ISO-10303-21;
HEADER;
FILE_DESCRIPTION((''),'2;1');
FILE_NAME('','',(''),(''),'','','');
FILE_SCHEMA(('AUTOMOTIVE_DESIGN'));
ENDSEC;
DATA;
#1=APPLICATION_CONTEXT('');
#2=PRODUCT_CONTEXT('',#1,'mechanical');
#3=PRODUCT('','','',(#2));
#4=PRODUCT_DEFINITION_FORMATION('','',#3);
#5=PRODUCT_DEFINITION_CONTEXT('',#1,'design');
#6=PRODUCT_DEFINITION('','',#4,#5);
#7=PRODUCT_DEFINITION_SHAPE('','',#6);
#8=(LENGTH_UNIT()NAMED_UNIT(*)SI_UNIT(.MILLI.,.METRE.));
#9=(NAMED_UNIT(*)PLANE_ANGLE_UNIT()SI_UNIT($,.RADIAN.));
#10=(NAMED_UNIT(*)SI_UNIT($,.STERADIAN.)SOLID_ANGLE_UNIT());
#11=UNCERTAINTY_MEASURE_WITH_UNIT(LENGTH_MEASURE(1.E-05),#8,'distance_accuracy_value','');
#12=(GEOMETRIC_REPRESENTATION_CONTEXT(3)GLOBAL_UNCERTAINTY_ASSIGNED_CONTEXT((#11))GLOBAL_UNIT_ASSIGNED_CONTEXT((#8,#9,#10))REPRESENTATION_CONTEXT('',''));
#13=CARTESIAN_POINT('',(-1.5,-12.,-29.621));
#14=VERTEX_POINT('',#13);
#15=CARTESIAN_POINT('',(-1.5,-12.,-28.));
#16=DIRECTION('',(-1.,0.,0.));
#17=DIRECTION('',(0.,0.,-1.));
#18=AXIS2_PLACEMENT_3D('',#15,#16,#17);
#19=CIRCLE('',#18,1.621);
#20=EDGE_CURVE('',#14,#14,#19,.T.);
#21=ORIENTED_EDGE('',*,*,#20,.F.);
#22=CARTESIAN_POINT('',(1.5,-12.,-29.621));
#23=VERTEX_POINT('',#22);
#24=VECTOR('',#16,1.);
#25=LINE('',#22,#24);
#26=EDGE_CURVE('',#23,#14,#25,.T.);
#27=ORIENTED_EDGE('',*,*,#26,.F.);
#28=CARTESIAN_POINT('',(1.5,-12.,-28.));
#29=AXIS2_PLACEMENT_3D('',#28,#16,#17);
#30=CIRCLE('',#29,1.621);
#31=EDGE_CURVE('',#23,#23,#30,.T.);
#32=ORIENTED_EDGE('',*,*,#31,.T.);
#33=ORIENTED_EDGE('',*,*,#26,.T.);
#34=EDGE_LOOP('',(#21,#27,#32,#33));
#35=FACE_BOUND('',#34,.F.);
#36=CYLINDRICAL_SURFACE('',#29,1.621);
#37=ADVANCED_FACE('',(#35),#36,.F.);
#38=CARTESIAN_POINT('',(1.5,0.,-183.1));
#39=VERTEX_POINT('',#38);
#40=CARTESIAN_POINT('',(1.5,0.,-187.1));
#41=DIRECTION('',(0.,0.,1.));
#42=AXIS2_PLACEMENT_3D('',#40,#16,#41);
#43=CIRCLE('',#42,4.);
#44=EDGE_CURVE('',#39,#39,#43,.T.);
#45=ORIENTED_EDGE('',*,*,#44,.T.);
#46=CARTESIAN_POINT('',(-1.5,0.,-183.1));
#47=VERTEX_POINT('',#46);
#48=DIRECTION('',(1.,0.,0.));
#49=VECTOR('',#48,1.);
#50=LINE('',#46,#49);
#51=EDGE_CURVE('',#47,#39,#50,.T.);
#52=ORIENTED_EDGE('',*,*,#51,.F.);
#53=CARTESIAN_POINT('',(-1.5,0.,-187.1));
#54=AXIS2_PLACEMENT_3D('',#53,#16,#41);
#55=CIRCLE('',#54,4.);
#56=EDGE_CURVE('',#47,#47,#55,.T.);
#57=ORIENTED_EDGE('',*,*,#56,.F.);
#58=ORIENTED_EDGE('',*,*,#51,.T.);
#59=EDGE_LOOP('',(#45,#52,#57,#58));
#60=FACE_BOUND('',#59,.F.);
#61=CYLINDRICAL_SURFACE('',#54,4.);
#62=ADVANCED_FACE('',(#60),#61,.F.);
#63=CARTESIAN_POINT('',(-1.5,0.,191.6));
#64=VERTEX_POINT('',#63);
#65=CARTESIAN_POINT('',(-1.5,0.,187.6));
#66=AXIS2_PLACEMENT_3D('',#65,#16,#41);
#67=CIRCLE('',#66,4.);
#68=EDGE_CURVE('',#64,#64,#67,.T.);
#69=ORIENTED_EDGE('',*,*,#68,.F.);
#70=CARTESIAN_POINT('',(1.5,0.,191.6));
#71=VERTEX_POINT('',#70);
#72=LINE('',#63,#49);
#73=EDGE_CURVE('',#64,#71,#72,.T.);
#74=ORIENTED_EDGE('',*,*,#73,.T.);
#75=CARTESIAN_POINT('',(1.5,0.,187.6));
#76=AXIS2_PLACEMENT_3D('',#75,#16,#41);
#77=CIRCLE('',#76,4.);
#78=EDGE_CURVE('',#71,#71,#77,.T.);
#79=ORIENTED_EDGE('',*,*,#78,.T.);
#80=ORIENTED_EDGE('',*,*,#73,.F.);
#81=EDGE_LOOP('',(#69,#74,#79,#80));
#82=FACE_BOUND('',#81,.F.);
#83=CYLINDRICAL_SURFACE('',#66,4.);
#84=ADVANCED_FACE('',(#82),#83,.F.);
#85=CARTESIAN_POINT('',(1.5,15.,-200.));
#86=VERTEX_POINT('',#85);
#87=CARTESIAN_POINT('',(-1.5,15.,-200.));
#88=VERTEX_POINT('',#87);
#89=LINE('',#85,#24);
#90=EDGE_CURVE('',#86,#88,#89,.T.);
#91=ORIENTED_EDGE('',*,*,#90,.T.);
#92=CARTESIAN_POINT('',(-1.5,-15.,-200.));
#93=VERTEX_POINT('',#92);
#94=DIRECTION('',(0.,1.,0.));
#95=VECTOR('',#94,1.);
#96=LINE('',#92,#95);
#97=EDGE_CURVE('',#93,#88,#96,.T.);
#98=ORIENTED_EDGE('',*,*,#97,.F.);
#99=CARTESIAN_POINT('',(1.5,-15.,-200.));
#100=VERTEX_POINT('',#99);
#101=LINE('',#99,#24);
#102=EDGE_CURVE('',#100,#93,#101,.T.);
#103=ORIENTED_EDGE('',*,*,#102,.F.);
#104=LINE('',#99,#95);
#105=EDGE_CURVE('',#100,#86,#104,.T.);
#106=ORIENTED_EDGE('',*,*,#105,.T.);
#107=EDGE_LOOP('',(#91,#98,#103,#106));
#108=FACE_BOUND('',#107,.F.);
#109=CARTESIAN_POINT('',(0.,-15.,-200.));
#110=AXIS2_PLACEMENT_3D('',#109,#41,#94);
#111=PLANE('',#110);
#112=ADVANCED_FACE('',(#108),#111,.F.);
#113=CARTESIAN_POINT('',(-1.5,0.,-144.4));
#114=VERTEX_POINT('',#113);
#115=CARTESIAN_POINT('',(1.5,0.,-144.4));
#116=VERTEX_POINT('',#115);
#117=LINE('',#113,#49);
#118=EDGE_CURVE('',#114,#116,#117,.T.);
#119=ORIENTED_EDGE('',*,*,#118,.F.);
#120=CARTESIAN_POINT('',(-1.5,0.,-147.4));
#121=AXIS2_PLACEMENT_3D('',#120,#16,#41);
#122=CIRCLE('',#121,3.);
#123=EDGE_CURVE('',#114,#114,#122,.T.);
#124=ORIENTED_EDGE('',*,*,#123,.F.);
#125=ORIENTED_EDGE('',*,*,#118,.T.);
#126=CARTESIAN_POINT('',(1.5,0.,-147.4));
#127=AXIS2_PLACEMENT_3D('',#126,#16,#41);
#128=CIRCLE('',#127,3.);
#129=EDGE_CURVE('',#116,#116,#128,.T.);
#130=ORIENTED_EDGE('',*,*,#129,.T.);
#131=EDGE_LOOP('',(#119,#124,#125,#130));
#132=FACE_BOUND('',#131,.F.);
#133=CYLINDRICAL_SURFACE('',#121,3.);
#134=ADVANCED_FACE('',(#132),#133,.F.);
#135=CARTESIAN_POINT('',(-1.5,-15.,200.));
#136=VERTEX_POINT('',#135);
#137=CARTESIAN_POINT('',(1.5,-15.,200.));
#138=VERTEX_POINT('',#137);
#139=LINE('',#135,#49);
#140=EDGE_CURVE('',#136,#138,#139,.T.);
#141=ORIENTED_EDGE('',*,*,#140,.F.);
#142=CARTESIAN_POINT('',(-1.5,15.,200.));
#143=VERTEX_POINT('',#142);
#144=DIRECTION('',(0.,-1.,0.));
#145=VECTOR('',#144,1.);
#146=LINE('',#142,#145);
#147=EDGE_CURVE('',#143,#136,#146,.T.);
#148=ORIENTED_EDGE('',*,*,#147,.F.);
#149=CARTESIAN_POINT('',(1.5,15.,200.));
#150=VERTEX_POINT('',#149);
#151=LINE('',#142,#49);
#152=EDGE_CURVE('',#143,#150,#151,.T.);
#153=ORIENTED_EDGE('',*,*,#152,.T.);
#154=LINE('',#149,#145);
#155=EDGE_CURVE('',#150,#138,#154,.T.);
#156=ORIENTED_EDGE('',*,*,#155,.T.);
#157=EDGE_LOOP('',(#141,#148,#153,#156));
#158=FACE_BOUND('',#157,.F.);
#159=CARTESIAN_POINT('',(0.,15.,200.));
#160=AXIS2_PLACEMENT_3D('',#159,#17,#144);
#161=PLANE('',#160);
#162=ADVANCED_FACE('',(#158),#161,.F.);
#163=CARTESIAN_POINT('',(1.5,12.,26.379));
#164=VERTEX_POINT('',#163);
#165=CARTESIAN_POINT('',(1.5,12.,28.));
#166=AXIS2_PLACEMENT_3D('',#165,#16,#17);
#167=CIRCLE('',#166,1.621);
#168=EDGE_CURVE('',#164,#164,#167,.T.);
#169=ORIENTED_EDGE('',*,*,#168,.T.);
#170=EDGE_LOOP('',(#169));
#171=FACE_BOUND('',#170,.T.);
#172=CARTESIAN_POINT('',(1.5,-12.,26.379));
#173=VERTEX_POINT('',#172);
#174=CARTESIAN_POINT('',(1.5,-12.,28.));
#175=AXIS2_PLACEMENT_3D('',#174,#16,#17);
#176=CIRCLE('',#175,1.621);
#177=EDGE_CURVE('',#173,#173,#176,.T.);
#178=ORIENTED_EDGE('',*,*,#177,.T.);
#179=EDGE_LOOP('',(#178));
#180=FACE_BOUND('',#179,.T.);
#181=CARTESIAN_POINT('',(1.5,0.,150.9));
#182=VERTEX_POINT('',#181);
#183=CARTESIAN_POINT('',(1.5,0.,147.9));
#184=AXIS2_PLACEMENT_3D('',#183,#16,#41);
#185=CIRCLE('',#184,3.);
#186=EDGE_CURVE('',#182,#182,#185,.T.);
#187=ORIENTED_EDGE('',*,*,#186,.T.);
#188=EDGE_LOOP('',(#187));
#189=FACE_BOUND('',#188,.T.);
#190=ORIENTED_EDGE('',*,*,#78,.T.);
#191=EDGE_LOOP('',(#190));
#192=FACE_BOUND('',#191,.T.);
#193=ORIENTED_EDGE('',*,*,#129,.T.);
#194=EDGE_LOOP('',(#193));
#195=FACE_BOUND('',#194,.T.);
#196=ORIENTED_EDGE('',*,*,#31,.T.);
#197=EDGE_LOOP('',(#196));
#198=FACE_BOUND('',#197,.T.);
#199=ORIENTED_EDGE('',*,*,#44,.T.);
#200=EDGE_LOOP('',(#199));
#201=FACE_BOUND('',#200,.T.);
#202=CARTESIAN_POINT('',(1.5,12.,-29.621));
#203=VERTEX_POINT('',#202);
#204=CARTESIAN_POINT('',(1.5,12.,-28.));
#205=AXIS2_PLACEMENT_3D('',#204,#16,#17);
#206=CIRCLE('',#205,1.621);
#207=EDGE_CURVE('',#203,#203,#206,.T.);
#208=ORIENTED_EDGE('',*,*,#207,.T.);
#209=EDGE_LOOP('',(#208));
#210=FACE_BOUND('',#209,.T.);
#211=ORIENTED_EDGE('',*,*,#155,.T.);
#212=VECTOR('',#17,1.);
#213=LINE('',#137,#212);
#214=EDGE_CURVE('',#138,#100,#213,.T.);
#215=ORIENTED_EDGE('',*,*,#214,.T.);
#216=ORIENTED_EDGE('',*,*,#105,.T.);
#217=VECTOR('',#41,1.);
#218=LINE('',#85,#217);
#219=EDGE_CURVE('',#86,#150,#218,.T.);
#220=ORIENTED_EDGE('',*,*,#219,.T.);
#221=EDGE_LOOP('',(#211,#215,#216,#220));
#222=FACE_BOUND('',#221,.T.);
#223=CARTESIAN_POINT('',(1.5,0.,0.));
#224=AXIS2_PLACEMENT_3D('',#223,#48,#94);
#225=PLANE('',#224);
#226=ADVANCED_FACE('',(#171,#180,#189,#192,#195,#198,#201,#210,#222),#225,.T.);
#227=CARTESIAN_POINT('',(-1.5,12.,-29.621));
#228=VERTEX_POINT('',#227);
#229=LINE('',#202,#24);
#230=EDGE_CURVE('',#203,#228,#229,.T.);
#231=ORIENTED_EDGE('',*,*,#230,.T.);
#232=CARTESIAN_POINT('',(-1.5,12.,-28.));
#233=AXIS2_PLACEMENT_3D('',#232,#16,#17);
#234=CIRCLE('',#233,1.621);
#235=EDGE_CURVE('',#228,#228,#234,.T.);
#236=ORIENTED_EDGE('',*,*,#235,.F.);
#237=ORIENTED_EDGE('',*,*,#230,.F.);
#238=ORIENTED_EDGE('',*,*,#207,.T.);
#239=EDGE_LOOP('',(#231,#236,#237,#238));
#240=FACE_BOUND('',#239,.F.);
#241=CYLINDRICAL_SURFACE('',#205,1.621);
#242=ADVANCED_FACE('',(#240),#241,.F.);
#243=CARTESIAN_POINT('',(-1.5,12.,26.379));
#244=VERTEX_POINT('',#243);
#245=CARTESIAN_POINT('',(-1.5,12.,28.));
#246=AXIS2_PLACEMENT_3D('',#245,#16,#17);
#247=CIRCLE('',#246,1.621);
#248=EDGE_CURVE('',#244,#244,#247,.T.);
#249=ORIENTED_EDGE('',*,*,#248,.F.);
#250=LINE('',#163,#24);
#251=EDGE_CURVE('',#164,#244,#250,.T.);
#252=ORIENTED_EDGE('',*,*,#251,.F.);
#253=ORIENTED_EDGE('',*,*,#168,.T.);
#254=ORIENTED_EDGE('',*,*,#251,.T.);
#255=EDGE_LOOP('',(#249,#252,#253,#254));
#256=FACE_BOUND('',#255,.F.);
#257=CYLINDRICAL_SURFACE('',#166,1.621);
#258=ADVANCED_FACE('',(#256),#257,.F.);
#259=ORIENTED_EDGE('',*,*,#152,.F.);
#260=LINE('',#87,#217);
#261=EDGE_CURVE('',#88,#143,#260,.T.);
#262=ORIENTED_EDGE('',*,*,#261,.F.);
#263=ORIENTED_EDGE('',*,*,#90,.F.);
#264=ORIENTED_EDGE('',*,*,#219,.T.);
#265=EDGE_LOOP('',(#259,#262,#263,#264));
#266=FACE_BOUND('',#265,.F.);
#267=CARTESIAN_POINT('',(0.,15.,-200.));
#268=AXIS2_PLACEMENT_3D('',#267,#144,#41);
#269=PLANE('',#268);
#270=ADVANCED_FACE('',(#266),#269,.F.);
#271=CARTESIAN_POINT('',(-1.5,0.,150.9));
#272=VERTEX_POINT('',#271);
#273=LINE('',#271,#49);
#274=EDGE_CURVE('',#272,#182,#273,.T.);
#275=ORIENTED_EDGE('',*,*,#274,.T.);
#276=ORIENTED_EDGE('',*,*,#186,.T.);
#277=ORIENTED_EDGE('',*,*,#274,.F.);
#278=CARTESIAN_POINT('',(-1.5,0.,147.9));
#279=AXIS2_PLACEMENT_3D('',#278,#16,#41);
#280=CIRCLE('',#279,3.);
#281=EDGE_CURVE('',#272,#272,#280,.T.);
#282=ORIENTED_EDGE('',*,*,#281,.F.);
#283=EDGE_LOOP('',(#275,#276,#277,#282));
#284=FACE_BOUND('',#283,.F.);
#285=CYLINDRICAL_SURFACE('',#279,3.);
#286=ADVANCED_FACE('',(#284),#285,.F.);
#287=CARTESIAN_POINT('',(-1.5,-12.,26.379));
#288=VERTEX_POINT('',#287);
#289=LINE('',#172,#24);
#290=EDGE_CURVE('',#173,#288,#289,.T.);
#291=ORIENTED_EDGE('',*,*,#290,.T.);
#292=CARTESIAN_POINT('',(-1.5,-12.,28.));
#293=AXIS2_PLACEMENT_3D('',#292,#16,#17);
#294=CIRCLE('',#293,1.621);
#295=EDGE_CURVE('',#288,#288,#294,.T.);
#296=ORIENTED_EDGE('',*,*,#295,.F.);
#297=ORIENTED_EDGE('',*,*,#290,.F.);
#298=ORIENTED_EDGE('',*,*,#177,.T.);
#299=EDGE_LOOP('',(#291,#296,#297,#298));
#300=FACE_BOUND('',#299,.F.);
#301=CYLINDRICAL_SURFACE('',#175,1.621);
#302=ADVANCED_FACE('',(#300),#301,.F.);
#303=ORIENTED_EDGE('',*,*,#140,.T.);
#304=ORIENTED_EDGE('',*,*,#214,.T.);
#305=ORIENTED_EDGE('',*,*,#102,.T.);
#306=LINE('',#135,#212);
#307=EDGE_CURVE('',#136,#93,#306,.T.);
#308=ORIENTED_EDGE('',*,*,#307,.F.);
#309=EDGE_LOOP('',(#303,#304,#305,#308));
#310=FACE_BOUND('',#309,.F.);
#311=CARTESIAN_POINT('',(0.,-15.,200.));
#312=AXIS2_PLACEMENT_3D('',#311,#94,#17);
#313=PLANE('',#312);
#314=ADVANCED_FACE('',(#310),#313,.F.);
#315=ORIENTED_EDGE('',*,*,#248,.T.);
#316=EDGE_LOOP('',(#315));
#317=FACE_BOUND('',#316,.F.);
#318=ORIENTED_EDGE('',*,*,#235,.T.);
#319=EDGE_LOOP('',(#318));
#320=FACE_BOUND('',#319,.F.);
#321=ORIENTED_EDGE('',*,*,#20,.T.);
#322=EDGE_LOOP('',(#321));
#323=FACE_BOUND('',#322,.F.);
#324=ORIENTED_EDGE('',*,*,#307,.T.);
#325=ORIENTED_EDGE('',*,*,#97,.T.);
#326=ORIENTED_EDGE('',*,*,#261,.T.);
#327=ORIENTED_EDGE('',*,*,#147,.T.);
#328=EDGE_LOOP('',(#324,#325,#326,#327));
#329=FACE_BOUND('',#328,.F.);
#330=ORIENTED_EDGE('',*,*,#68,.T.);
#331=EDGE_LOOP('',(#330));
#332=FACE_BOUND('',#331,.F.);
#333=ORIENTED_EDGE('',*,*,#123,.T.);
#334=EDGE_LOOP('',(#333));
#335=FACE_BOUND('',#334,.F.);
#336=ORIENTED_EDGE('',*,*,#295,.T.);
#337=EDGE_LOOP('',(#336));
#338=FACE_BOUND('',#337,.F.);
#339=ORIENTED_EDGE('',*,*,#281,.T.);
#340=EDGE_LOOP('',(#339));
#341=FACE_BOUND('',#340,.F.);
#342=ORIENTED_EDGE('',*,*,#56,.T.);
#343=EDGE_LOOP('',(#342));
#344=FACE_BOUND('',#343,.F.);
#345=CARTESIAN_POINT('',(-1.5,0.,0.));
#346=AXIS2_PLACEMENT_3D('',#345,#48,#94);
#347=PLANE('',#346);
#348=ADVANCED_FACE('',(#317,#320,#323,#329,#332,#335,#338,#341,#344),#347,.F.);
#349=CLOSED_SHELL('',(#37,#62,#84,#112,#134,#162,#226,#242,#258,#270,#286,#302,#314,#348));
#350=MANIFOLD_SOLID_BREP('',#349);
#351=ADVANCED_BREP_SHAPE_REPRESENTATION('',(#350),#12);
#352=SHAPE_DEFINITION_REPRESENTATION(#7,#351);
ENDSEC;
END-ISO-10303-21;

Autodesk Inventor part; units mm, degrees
ref_plane "YZ Plane" through (0, 0, 0) normal (1, 0, 0) x (0, 1, 0)
ref_plane "XZ Plane" through (0, 0, 0) normal (0, 1, 0) x (-1, 0, 0)
ref_plane "XY Plane" through (0, 0, 0) normal (0, 0, 1) x (1, 0, 0)
sketch "Sketch2" plane through (-1.5, 0, 0) normal (-1, 0, 0) x (0, 0, 1)
  circle A0 centre (177.25, 0.2229) radius 2.55 projected
  circle A1 centre (157.25, 0.2229) radius 2.55 projected
  point P0 (0, 0)
sketch "Sketch1" plane through (0, 0, 0) normal (1, 0, 0) x (0, 1, 0)
  line L0 (15, 200) -> (-15, 200)
  line L1 (-15, 200) -> (-15, -200)
  line L2 (-15, -200) -> (15, -200)
  line L3 (15, -200) -> (15, 200)
  line L4 (15, 200) -> (-15, -200) construction
  line L5 (-15, 200) -> (15, -200) construction
  point P0 (0, 0)
  point P1 (0, 0)
  dimension "d0" = 400
  dimension "d1" = 30
extrude "Plate1" add sketch "Sketch1" along normal mid plane 3
sketch "Sketch3" plane through (-1.5, 0, 0) normal (-1, 0, 0) x (0, 0, 1)
  circle A0 centre (187.6, 0) radius 4
  circle A1 centre (147.9, 0) radius 3
  circle A2 centre (-147.4, 0) radius 3
  circle A3 centre (-187.1, 0) radius 4
  line L0 (200, 15) -> (200, -15) projected
  line L1 (-200, -15) -> (-200, 15) projected
  line L2 (200, -15) -> (-200, -15) projected
  point P0 (0, 0)
  dimension "d7" = 12.4
  dimension "d8" = 8
  dimension "d9" = 39.7
  dimension "d10" = 6
  dimension "d22" = 8
  dimension "d23" = 6
  dimension "d24" = 12.9
  dimension "d26" = 15
  dimension "d27" = 39.7
extrude "Cut2" cut sketch "Sketch3" against normal blind 3
sketch "Sketch4" plane through (1.5, 0, 0) normal (1, 0, 0) x (0, 0, -1)
  line L0 (-200, 15) -> (200, 15) projected
  point P0 (0, 0)
  point P1 (-28, 12)
  point P2 (-28, -12)
  point P3 (28, 12)
  point P4 (28, -12)
  dimension "d11" = 56
  dimension "d12" = 24
  dimension "d13" = 3
  dimension "d14" = 28
hole "Hole1" at (1.5, 12, 28) at (1.5, -12, 28) at (1.5, 12, -28) at (1.5, -12, -28) direction (-1, 0, 0) diameter 3.242 depth 11.8 tip angle 118 thread size "M4x0.7" class "6H" standard "ISO Metric profile"
equation "\"d27\" = d9"
equation "\"d5\" = Thickness"
equation "\"d2\" = Thickness"
equation "\"BendRadius\" = Thickness"
equation "\"BendReliefWidth\" = Thickness"
equation "\"BendReliefDepth\" = 0.5 * Thickness"
equation "\"CornerReliefSize\" = 4 * Thickness"
equation "\"MinimumRemnant\" = 2 * Thickness"
equation "\"TransitionRadius\" = BendRadius"
equation "\"JacobiRadiusSize\" = BendRadius"
equation "\"GapSize\" = Thickness"
equation "\"Thickness\" = 3"
properties part number "HCMUTE-CDT23-OP_DVCAM" material "PMMA Plastic"
